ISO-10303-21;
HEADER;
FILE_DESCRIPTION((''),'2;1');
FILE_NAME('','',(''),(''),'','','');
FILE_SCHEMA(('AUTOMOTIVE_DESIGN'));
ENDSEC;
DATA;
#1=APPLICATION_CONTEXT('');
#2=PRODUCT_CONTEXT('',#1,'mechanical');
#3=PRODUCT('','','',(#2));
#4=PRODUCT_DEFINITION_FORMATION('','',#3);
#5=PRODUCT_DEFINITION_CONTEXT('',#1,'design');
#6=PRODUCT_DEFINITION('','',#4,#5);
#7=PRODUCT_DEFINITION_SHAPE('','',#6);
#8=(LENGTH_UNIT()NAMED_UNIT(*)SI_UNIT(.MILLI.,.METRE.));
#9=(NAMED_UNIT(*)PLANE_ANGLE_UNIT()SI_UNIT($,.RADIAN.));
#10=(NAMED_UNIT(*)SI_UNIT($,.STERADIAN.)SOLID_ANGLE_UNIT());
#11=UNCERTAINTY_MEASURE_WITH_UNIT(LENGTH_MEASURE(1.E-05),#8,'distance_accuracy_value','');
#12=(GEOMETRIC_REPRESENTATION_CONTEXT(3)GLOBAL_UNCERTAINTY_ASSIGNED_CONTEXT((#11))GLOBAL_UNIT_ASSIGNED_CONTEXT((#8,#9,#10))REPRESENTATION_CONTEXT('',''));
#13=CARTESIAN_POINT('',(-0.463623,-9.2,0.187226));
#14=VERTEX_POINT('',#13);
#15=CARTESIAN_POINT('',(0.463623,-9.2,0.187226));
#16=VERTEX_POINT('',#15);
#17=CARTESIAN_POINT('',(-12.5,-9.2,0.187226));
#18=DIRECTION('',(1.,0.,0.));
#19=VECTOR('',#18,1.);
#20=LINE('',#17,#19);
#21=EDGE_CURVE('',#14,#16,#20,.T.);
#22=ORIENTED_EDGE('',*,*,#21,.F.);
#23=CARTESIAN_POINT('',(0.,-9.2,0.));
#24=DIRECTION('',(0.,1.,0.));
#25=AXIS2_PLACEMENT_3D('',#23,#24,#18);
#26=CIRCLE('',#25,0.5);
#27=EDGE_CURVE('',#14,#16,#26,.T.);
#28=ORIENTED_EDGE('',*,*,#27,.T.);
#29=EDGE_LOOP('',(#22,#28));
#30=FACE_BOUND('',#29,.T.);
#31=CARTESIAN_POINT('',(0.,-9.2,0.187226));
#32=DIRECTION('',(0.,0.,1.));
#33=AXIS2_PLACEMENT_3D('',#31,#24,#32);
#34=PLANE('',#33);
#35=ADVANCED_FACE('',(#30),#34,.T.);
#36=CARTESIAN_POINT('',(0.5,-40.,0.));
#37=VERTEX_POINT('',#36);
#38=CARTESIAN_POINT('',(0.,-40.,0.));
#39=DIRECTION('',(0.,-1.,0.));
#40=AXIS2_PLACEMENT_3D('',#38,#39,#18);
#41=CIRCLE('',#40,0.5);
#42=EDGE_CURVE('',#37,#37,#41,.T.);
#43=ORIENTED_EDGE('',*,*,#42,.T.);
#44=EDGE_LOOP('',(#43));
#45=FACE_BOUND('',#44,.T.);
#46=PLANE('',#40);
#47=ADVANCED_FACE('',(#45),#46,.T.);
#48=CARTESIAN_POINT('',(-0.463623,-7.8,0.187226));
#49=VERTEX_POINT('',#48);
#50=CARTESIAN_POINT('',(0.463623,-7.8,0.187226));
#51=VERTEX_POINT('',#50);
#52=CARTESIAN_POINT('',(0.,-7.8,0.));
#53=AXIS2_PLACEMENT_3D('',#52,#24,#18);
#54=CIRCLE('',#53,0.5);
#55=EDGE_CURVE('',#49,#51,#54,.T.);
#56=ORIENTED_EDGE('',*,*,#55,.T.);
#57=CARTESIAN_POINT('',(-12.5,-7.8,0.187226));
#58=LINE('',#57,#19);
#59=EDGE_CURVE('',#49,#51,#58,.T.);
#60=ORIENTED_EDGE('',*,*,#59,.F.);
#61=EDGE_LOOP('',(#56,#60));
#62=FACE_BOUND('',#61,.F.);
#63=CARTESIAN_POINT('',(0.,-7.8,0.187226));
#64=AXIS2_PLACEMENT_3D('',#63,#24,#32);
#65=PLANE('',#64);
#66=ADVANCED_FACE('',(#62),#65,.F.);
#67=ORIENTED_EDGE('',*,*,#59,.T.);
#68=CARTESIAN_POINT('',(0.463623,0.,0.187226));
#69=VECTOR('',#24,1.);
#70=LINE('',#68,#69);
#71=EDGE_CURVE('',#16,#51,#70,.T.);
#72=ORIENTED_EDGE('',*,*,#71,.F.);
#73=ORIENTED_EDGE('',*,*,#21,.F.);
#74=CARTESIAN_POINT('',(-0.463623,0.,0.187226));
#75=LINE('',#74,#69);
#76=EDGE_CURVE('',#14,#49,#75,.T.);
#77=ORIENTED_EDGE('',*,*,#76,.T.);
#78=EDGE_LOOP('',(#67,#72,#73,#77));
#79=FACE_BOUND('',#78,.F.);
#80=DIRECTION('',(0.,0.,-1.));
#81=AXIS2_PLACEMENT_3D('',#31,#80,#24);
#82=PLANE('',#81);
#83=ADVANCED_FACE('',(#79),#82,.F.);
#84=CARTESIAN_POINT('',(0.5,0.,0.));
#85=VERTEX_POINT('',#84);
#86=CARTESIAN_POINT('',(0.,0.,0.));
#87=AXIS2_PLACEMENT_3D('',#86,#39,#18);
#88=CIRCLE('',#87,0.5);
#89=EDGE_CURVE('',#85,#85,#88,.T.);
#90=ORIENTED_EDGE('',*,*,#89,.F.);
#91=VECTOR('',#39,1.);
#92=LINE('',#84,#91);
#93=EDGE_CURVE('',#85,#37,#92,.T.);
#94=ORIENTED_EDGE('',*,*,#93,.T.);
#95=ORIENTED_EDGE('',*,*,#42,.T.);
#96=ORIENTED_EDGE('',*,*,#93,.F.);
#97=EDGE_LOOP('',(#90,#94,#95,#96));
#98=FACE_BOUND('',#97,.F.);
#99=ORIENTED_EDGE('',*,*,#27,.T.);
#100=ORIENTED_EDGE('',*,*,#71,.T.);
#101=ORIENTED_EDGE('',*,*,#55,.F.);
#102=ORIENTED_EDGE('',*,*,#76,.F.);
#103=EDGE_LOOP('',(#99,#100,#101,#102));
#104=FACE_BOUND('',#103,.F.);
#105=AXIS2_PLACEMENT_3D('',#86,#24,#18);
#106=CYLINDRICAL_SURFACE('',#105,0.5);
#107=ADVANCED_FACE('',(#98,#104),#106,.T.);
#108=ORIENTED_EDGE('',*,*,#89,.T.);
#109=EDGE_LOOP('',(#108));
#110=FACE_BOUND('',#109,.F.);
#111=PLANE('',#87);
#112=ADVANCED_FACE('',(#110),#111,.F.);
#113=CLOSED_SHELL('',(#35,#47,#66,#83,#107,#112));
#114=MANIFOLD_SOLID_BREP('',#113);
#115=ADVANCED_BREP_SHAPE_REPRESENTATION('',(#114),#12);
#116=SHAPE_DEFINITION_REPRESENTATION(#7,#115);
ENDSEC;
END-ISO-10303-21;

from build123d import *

# Parameters (mm, degrees)
F0_R     = 0.5
F1_DEPTH = 40
F2_W     = 1.4
F2_H     = 0.6255488368
F3_DEPTH = 12.5


with BuildPart() as f1:
    # F0 (on Front) → F1 (new body)
    with BuildSketch(Plane.XZ):
        Circle(F0_R)
    extrude(amount=F1_DEPTH)

    # F2 (on Right) → F3 (cut, symmetric)
    with BuildSketch(Plane.YZ):
        with Locations((-8.5, 0.5)):
            Rectangle(F2_W, F2_H)
    extrude(amount=F3_DEPTH, both=True, mode=Mode.SUBTRACT)


solid = f1.part
